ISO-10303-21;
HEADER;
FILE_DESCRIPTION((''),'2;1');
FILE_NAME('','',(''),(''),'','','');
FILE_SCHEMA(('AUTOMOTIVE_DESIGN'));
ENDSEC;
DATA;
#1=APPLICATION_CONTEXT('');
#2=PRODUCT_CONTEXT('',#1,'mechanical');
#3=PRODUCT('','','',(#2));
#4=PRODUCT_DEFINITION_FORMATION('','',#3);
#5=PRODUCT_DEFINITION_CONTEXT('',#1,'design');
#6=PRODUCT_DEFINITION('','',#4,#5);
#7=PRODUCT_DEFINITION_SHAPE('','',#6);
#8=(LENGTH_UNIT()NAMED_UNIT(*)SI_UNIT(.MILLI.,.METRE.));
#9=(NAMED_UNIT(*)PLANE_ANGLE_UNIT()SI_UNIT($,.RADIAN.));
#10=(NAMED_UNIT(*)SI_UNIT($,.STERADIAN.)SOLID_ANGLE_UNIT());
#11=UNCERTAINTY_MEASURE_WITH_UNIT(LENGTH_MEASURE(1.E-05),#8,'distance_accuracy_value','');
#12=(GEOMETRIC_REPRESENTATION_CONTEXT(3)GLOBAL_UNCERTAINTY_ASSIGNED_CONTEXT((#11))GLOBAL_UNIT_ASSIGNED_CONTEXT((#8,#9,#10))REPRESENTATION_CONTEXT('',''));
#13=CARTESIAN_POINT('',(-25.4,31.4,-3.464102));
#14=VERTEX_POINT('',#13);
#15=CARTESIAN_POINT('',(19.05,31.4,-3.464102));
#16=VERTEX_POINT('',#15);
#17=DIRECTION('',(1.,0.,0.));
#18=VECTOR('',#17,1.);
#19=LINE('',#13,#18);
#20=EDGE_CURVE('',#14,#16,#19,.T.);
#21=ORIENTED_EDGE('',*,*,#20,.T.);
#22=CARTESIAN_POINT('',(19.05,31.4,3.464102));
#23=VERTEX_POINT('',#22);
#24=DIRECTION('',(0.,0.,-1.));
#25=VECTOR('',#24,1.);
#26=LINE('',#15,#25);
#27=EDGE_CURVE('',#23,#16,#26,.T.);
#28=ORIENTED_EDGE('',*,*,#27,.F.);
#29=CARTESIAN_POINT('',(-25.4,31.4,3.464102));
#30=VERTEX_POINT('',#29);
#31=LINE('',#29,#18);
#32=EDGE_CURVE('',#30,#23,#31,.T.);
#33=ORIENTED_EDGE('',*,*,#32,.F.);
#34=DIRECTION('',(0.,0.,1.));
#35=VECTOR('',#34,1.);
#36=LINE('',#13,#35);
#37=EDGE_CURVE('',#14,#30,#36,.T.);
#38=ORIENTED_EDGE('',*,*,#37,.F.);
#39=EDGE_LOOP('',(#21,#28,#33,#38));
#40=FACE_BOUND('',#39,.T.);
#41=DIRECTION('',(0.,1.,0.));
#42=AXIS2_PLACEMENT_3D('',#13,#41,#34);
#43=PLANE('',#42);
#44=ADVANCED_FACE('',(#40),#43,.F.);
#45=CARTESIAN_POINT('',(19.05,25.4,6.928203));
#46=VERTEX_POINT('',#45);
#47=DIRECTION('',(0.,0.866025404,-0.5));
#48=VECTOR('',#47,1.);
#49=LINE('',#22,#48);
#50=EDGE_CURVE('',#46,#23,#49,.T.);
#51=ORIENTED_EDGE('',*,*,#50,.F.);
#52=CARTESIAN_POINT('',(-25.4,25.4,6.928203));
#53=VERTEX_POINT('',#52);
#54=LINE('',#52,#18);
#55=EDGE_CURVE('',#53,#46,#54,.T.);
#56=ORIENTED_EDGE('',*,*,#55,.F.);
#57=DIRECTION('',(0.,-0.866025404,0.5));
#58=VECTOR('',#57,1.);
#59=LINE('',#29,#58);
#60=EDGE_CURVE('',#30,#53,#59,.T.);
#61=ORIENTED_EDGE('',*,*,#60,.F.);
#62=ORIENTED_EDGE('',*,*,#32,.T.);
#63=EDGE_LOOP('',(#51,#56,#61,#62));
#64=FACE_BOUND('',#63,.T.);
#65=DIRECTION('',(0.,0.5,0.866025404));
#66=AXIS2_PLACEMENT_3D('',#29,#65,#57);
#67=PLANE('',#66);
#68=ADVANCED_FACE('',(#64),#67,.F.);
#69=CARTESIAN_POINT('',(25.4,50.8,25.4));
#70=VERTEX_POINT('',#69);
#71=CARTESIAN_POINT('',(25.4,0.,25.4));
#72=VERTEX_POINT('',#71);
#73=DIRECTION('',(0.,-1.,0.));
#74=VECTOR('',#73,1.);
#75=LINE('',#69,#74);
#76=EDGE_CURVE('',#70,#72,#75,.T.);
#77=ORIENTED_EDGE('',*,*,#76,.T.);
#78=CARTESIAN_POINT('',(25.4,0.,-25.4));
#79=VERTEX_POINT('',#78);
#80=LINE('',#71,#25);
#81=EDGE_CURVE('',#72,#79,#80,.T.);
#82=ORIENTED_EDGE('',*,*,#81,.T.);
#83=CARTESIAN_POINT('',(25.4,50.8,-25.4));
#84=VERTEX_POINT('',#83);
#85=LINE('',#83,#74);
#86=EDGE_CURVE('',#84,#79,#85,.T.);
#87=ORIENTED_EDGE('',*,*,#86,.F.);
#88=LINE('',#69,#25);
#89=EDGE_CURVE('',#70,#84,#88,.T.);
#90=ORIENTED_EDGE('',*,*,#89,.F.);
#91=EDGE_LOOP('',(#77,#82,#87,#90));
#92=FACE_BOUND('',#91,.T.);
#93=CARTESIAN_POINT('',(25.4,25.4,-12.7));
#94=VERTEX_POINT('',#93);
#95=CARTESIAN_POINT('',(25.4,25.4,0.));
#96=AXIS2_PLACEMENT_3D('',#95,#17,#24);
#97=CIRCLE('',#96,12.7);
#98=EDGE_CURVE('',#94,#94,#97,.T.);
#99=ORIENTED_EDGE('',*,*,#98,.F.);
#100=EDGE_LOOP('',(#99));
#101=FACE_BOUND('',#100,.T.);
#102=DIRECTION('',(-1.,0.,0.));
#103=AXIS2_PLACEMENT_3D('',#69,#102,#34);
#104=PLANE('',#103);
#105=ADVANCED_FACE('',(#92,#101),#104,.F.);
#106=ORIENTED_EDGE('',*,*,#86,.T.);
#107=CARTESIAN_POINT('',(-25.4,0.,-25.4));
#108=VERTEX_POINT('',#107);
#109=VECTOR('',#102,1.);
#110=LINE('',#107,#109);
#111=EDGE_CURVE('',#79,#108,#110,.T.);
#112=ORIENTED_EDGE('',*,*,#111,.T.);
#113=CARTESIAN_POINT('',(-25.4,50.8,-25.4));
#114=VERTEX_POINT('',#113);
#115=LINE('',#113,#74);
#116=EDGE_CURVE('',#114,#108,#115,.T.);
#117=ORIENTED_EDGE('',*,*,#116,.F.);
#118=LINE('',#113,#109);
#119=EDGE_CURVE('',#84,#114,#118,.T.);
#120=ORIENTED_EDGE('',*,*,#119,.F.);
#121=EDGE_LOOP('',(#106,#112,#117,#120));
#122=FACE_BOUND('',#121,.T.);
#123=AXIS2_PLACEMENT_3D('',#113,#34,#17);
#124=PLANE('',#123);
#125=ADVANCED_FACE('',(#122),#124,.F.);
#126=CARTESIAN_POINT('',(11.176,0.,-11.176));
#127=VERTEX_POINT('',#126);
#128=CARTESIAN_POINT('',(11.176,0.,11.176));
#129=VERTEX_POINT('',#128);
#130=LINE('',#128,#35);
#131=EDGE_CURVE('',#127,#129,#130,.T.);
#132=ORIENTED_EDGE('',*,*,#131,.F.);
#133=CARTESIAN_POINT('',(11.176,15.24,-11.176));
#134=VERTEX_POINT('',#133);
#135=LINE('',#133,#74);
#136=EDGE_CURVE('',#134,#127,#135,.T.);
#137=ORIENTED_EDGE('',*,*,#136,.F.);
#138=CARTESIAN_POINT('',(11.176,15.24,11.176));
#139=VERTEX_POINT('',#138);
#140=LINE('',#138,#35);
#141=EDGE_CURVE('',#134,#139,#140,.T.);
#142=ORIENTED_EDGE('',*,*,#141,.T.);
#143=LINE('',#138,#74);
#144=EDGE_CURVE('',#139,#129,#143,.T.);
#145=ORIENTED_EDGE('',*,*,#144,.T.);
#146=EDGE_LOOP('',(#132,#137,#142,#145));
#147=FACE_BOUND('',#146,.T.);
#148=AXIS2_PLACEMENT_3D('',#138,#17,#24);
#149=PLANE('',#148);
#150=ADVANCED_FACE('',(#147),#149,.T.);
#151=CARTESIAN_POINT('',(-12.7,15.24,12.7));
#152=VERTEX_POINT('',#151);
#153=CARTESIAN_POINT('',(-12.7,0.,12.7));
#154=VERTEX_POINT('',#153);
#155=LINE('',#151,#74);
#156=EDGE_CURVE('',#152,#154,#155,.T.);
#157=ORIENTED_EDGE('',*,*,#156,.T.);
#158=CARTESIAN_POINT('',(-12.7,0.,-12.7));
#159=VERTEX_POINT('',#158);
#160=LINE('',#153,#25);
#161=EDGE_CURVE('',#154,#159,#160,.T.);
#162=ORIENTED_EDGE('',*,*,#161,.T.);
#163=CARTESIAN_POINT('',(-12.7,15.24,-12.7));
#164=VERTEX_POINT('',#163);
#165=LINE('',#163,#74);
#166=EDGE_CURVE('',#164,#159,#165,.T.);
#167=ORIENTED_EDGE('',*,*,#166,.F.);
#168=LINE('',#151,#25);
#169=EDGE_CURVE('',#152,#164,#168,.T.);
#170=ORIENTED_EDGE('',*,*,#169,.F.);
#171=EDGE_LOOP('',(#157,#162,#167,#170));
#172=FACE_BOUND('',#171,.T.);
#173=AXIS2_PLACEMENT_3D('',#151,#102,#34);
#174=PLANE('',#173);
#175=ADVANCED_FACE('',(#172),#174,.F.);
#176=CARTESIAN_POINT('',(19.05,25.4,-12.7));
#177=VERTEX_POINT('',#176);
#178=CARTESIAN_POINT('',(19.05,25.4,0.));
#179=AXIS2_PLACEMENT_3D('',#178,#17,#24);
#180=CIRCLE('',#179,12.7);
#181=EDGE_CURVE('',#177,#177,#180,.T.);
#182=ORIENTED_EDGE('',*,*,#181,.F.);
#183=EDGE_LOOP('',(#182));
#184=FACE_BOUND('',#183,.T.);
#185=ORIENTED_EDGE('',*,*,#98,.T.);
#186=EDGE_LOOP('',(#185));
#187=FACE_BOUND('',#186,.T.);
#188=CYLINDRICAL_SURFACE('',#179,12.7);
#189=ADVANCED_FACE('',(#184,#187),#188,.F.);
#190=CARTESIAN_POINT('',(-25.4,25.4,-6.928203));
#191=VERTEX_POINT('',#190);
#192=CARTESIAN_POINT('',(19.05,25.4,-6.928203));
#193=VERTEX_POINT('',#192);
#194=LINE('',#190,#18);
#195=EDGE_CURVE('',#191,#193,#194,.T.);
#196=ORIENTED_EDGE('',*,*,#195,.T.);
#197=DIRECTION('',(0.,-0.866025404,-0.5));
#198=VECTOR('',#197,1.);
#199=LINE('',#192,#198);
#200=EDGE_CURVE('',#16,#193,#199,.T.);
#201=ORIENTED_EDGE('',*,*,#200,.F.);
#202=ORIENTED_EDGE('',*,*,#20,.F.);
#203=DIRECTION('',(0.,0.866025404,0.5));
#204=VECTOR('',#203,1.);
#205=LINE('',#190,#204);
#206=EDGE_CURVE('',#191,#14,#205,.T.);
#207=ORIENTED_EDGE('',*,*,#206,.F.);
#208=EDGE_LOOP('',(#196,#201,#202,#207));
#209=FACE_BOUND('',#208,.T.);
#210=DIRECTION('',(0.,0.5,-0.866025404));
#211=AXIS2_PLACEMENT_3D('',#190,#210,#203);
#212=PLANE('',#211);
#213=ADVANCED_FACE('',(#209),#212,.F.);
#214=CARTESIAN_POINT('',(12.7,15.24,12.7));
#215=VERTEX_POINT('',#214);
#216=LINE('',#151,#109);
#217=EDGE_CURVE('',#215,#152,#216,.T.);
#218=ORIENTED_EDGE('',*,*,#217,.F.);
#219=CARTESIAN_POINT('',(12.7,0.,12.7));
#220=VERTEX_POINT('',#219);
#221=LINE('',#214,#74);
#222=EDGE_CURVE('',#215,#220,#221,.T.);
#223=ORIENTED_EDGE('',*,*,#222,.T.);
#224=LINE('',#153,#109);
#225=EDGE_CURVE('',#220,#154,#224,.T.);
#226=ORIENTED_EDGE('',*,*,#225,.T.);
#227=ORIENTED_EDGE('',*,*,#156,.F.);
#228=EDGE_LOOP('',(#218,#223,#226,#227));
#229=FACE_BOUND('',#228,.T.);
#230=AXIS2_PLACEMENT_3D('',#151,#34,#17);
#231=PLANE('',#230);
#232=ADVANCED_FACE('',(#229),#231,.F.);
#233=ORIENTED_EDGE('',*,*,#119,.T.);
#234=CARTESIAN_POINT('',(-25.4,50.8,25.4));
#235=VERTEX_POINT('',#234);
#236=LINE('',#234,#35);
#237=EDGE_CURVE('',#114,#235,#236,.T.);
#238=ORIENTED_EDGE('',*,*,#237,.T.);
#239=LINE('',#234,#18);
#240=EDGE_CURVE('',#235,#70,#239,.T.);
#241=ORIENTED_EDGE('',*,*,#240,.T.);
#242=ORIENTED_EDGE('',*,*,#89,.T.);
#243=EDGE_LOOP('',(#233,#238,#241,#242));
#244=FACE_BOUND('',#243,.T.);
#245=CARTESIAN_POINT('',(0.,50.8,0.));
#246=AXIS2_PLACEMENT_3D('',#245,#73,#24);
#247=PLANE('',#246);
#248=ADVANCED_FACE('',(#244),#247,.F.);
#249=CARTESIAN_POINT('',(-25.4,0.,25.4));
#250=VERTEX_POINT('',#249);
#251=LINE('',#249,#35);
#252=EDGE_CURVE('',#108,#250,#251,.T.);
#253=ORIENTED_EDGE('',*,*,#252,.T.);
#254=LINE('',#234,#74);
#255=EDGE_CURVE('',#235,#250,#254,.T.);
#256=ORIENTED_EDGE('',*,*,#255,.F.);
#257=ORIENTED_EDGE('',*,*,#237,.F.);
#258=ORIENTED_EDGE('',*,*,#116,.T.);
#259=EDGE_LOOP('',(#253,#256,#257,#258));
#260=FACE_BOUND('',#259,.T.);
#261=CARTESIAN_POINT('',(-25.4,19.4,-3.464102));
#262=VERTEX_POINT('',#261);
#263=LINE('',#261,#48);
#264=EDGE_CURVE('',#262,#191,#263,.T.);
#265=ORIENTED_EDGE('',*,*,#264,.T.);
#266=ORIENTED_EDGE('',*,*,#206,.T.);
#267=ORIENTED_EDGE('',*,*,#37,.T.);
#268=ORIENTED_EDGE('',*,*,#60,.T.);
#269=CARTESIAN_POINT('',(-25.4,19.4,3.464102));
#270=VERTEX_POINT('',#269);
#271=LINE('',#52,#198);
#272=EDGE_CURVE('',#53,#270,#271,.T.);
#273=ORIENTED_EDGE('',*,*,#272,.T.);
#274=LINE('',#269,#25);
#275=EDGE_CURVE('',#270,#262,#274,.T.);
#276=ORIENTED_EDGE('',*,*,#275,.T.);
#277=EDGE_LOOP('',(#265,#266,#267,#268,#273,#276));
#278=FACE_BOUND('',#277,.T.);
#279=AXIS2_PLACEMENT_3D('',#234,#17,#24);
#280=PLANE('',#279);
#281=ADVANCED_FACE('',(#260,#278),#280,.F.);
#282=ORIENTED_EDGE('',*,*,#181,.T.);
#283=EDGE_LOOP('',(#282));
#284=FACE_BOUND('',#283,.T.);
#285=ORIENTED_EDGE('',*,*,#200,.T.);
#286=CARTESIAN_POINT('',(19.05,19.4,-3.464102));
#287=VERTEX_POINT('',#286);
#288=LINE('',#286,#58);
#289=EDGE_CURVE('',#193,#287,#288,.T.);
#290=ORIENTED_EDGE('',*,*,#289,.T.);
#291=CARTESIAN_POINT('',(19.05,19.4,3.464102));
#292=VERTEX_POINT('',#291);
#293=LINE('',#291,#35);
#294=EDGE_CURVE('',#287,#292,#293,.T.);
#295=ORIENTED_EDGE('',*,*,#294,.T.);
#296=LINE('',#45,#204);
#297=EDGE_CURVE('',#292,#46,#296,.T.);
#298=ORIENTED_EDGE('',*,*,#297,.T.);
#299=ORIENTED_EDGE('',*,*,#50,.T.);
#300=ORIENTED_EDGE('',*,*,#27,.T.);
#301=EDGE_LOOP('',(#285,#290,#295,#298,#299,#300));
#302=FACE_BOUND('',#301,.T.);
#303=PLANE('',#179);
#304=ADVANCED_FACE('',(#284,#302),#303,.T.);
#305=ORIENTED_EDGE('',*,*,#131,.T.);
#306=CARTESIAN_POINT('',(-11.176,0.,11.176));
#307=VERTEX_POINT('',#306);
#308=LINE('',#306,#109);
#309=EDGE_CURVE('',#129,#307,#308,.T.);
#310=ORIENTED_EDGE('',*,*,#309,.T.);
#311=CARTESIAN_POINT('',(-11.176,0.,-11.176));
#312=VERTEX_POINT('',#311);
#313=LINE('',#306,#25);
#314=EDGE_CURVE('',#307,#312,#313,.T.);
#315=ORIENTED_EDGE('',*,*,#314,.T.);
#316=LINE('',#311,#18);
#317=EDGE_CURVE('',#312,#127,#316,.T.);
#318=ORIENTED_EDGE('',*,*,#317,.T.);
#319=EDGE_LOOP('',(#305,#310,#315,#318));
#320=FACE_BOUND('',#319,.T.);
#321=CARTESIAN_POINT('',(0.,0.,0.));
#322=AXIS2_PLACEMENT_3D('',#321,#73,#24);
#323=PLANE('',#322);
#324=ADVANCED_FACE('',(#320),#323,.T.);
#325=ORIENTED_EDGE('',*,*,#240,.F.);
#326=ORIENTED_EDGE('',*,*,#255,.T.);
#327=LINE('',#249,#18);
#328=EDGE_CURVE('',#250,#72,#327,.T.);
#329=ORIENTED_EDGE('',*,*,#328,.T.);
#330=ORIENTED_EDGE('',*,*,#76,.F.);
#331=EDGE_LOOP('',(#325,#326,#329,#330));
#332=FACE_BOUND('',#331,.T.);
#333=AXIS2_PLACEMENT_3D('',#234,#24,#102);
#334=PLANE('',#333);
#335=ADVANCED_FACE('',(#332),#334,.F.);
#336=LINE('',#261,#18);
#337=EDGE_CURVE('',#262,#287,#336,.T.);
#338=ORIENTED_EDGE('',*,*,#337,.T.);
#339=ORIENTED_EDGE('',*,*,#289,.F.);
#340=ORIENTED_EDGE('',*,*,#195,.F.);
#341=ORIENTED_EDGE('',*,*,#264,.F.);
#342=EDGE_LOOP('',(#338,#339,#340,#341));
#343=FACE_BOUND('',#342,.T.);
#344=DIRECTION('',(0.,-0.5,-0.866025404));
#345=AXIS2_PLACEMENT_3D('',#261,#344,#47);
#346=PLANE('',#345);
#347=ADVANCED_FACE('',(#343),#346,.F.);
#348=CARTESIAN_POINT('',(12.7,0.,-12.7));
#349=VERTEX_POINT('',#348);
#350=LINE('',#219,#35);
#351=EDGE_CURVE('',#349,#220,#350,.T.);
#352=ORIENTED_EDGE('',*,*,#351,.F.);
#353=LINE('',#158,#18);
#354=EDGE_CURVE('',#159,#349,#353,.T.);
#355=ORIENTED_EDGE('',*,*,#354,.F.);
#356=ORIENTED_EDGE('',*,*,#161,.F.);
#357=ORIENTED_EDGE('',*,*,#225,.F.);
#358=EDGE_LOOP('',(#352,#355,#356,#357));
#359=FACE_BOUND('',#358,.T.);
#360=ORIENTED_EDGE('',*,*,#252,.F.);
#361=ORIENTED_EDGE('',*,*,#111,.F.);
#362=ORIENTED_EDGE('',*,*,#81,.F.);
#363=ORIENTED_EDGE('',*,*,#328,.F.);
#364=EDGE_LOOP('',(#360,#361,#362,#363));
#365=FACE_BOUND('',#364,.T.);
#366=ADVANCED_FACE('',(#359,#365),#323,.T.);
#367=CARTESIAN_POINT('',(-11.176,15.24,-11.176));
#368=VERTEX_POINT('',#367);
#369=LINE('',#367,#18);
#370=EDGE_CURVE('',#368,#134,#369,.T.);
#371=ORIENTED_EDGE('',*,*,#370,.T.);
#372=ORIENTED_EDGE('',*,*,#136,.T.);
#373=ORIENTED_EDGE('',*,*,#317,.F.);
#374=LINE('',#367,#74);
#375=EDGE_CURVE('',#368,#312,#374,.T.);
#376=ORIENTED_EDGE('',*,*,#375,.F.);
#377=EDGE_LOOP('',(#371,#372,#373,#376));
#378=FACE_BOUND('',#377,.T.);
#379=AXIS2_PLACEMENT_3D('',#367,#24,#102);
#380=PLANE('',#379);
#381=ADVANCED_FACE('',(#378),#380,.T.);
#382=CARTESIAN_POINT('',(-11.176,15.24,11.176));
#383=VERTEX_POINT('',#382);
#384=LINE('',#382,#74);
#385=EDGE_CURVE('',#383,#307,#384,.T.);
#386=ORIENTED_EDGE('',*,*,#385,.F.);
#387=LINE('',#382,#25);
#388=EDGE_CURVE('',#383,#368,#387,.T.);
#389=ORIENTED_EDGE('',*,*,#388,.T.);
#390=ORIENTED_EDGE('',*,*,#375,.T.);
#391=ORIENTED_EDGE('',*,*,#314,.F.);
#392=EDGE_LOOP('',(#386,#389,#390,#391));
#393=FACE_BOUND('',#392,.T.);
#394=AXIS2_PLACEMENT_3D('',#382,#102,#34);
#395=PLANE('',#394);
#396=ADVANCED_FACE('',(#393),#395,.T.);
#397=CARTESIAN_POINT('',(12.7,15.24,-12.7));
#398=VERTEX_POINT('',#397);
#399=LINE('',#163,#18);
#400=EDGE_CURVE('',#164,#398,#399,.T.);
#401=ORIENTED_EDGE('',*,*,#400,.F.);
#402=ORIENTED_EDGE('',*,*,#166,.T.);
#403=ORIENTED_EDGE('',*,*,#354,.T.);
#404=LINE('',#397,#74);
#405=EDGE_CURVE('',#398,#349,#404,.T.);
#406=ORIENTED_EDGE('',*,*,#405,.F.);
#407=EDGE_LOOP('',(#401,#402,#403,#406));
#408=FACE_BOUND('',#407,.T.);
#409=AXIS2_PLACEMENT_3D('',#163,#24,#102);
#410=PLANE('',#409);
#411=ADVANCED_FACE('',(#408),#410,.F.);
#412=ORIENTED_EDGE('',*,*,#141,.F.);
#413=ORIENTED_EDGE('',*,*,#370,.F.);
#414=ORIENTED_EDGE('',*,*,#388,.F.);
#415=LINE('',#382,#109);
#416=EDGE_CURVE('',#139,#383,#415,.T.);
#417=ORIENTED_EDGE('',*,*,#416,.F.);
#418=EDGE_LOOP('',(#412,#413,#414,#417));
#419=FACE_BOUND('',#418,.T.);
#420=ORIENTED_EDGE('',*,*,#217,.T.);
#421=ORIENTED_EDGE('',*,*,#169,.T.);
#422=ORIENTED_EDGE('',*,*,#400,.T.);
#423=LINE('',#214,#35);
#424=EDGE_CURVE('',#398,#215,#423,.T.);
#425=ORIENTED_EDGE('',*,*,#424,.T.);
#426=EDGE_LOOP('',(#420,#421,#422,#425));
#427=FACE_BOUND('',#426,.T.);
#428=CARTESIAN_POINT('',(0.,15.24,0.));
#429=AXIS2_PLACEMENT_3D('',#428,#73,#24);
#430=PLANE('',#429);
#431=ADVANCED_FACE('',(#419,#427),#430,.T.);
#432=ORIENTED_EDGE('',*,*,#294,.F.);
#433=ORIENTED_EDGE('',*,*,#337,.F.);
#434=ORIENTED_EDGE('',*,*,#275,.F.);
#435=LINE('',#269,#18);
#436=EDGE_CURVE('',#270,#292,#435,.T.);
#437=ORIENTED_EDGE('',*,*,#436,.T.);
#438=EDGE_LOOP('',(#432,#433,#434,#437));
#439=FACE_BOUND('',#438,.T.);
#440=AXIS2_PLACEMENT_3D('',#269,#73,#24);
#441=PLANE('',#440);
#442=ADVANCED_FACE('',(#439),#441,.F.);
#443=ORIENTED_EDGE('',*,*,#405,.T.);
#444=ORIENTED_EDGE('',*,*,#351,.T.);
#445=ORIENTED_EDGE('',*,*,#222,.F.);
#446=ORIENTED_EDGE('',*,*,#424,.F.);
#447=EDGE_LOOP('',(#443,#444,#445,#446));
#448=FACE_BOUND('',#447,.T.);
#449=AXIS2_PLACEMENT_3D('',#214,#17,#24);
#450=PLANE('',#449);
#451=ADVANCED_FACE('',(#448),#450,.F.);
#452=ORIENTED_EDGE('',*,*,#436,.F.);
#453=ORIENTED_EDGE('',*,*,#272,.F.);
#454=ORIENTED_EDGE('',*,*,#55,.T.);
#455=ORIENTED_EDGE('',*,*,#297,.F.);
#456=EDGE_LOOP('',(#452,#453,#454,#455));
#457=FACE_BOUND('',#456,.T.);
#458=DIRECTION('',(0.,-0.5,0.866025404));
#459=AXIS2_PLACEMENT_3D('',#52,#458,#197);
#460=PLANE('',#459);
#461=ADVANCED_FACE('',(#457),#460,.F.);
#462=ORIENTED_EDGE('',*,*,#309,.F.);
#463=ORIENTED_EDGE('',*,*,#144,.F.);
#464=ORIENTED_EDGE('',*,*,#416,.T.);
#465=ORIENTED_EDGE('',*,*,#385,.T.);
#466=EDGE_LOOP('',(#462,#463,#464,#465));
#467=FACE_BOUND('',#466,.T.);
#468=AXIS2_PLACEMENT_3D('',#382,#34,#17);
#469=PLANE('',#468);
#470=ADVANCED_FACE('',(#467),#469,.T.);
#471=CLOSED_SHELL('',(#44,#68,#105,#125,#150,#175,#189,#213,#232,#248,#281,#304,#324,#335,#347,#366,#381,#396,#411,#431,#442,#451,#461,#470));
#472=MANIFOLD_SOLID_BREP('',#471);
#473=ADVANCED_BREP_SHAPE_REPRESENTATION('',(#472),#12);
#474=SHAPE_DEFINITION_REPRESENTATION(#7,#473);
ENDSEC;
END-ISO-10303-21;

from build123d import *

# Parameters (mm, degrees)
SKETCH2_W           = 50.8
SKETCH2_H           = 50.8
BOSS_EXTRUDE1_DEPTH = 50.8
SKETCH3_W           = 25.4
SKETCH3_H           = 25.4
SKETCH3_W_2         = 22.352
SKETCH3_H_2         = 22.352
CUT_EXTRUDE1_DEPTH  = 15.24
CUT_EXTRUDE2_DEPTH  = 51.8
SKETCH5_R           = 12.7
CUT_EXTRUDE3_DEPTH  = 6.35


with BuildPart() as part:
    # Sketch2 → Boss-Extrude1 (new body)
    with BuildSketch(Plane(origin=(0, 0, 0), x_dir=(1, 0, 0), z_dir=(0, 1, 0))):
        Rectangle(SKETCH2_W, SKETCH2_H)
    extrude(amount=BOSS_EXTRUDE1_DEPTH)

    # Sketch3 → Cut-Extrude1 (cut)
    with BuildSketch(Plane.XZ):
        Rectangle(SKETCH3_W, SKETCH3_H)
        Rectangle(SKETCH3_W_2, SKETCH3_H_2, mode=Mode.SUBTRACT)
    extrude(amount=-CUT_EXTRUDE1_DEPTH, mode=Mode.SUBTRACT)

    # Sketch4 → Cut-Extrude2 (cut, through all)
    with BuildSketch(Plane(origin=(25.4, 0, 0), x_dir=(0, 0, -1), z_dir=(1, 0, 0))):
        Polygon((6.92820323, 25.4), (3.464101615, 31.4), (-3.464101615, 31.4), (-6.92820323, 25.4), (-3.464101615, 19.4), (3.464101615, 19.4), align=None)
    extrude(amount=-CUT_EXTRUDE2_DEPTH, mode=Mode.SUBTRACT)

    # Sketch5 → Cut-Extrude3 (cut)
    with BuildSketch(Plane(origin=(25.4, 0, 0), x_dir=(0, 0, -1), z_dir=(1, 0, 0))):
        with Locations((0, 25.4)):
            Circle(SKETCH5_R)
    extrude(amount=-CUT_EXTRUDE3_DEPTH, mode=Mode.SUBTRACT)


solid = part.part
